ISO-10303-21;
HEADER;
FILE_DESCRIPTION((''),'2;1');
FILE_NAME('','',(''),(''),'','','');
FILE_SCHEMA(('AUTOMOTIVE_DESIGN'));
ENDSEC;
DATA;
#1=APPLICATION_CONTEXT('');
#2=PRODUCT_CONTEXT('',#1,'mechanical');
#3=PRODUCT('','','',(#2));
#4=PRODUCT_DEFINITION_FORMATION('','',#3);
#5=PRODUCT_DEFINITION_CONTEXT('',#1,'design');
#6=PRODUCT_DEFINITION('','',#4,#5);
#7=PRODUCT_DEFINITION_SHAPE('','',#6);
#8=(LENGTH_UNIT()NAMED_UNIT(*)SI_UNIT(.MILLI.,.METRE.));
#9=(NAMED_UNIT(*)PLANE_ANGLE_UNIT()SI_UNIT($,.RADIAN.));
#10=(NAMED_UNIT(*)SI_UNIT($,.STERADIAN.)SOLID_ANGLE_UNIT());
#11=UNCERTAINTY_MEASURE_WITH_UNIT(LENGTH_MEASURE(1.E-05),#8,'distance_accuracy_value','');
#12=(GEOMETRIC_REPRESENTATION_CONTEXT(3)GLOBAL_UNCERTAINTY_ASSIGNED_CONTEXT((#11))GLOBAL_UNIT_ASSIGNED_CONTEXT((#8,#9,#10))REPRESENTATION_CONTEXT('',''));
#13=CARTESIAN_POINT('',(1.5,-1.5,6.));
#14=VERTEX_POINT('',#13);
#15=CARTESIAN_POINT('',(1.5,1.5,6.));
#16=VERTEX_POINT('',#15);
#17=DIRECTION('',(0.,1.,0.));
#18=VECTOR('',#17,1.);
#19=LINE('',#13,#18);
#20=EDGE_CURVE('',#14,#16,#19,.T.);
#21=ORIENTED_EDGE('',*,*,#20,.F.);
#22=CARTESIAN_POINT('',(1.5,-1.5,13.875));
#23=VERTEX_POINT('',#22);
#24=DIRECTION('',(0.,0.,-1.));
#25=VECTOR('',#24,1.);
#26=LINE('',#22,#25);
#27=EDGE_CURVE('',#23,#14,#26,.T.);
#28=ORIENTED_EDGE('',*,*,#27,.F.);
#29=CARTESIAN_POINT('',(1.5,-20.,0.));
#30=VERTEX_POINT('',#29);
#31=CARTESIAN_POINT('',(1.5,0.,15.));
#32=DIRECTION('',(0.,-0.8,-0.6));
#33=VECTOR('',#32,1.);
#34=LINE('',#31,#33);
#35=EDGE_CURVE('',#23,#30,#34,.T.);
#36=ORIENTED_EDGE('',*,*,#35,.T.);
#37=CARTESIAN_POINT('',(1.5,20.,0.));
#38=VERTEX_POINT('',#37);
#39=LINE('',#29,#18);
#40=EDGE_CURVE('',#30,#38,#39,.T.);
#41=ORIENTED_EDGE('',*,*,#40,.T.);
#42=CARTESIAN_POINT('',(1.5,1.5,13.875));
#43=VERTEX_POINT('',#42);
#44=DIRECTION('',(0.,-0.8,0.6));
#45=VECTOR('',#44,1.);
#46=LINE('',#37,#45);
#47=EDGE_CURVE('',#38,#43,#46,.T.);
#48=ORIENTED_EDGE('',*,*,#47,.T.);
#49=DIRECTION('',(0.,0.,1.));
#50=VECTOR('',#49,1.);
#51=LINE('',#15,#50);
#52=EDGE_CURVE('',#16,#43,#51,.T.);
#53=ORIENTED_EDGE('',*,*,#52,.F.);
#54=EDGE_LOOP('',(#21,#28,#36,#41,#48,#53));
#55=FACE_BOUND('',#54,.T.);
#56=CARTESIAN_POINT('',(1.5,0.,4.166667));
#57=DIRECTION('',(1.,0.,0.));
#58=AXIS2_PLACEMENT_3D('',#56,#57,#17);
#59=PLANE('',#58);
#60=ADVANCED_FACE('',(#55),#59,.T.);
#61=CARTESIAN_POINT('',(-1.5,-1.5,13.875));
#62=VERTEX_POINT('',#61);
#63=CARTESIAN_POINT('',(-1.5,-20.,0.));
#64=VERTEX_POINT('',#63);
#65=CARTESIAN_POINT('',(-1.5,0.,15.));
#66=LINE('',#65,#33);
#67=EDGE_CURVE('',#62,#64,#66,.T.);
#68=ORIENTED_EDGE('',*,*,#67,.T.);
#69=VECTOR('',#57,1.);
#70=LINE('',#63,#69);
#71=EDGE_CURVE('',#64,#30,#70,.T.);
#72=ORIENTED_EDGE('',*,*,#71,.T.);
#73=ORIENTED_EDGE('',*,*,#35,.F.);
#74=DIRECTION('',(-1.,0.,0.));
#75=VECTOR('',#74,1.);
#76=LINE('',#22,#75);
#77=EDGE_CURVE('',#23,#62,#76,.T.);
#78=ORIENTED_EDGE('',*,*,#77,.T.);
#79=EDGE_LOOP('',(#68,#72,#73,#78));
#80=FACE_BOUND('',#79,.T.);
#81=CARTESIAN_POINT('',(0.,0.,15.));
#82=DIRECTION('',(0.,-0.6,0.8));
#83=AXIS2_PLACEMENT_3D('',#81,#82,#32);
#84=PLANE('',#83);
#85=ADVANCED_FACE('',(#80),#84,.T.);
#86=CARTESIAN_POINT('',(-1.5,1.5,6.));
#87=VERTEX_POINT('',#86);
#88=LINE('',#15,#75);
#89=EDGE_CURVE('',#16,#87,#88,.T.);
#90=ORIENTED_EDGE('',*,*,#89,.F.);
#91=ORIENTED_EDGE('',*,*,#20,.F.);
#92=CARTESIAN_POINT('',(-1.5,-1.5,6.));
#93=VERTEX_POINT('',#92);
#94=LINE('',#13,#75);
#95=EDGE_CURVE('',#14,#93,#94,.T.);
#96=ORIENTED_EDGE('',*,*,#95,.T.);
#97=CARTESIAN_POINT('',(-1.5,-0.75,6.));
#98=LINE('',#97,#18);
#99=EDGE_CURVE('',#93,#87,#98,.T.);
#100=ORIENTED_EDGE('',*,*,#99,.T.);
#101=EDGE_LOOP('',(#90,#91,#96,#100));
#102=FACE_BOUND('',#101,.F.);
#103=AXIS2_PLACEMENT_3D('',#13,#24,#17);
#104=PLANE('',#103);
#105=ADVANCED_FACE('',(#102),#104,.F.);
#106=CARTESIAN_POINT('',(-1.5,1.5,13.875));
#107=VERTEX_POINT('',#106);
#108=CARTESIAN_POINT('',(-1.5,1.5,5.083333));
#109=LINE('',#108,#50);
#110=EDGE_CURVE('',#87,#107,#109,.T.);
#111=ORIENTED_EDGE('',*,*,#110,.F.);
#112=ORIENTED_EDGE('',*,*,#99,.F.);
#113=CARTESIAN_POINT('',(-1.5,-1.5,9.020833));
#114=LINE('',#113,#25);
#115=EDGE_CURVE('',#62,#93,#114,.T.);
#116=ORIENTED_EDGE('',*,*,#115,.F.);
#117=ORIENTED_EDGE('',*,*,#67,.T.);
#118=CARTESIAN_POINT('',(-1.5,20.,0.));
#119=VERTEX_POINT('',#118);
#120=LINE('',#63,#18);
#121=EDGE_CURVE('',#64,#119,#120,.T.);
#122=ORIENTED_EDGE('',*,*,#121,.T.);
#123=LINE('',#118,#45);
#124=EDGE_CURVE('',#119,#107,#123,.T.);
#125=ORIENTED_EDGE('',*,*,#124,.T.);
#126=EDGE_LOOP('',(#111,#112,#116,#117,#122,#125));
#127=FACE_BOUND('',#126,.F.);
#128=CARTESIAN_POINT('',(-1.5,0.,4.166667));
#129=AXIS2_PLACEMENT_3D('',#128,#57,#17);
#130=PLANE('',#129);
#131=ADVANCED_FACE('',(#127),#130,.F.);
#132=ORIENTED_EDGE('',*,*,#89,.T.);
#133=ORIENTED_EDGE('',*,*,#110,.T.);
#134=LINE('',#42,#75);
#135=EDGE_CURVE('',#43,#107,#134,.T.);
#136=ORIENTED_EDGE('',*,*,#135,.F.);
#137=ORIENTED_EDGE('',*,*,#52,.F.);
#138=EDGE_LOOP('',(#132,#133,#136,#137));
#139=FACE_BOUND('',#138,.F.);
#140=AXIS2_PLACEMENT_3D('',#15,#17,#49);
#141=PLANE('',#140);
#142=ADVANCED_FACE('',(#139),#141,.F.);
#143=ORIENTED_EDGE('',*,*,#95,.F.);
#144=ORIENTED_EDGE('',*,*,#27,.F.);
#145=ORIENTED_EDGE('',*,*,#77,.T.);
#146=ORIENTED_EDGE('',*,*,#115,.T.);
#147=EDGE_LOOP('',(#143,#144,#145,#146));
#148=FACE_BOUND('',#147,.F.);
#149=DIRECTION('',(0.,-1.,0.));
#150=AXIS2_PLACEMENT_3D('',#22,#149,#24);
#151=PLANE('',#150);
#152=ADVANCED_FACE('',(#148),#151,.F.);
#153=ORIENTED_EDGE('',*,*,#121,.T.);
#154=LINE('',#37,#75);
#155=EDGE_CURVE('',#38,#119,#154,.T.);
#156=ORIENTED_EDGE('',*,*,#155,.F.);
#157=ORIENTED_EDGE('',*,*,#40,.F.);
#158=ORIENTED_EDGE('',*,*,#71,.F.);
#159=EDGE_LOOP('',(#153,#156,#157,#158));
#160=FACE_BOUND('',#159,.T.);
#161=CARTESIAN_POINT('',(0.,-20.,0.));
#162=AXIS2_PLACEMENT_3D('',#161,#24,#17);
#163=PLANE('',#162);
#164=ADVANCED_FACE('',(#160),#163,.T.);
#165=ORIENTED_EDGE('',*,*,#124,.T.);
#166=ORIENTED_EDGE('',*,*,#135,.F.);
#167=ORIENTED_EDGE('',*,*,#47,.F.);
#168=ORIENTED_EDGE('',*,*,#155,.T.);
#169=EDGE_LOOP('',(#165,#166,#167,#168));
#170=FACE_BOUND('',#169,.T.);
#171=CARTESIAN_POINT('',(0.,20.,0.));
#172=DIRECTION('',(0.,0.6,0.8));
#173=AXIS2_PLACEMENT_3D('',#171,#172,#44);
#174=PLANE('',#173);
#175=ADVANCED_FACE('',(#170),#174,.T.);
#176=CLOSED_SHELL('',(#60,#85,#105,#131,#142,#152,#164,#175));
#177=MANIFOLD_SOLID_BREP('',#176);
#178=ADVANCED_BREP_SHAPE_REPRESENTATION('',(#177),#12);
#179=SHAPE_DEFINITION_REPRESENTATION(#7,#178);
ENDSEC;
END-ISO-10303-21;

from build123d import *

# Parameters (mm, degrees)
F1_DEPTH = 1.5
F3_DEPTH = 25


with BuildPart() as f1:
    # F0 (on Right) → F1 (new body, symmetric)
    with BuildSketch(Plane.YZ):
        Polygon((0, 15), (-20, 0), (20, 0), align=None)
    extrude(amount=F1_DEPTH, both=True)

    # F2 (on face) → F3 (cut)
    with BuildSketch(Plane.YZ.offset(1.5)):
        Polygon((-1.5, 13.875), (-1.5, 6), (1.5, 6), (1.5, 13.875), (0, 15), align=None)
    extrude(amount=-F3_DEPTH, mode=Mode.SUBTRACT)


solid = f1.part
